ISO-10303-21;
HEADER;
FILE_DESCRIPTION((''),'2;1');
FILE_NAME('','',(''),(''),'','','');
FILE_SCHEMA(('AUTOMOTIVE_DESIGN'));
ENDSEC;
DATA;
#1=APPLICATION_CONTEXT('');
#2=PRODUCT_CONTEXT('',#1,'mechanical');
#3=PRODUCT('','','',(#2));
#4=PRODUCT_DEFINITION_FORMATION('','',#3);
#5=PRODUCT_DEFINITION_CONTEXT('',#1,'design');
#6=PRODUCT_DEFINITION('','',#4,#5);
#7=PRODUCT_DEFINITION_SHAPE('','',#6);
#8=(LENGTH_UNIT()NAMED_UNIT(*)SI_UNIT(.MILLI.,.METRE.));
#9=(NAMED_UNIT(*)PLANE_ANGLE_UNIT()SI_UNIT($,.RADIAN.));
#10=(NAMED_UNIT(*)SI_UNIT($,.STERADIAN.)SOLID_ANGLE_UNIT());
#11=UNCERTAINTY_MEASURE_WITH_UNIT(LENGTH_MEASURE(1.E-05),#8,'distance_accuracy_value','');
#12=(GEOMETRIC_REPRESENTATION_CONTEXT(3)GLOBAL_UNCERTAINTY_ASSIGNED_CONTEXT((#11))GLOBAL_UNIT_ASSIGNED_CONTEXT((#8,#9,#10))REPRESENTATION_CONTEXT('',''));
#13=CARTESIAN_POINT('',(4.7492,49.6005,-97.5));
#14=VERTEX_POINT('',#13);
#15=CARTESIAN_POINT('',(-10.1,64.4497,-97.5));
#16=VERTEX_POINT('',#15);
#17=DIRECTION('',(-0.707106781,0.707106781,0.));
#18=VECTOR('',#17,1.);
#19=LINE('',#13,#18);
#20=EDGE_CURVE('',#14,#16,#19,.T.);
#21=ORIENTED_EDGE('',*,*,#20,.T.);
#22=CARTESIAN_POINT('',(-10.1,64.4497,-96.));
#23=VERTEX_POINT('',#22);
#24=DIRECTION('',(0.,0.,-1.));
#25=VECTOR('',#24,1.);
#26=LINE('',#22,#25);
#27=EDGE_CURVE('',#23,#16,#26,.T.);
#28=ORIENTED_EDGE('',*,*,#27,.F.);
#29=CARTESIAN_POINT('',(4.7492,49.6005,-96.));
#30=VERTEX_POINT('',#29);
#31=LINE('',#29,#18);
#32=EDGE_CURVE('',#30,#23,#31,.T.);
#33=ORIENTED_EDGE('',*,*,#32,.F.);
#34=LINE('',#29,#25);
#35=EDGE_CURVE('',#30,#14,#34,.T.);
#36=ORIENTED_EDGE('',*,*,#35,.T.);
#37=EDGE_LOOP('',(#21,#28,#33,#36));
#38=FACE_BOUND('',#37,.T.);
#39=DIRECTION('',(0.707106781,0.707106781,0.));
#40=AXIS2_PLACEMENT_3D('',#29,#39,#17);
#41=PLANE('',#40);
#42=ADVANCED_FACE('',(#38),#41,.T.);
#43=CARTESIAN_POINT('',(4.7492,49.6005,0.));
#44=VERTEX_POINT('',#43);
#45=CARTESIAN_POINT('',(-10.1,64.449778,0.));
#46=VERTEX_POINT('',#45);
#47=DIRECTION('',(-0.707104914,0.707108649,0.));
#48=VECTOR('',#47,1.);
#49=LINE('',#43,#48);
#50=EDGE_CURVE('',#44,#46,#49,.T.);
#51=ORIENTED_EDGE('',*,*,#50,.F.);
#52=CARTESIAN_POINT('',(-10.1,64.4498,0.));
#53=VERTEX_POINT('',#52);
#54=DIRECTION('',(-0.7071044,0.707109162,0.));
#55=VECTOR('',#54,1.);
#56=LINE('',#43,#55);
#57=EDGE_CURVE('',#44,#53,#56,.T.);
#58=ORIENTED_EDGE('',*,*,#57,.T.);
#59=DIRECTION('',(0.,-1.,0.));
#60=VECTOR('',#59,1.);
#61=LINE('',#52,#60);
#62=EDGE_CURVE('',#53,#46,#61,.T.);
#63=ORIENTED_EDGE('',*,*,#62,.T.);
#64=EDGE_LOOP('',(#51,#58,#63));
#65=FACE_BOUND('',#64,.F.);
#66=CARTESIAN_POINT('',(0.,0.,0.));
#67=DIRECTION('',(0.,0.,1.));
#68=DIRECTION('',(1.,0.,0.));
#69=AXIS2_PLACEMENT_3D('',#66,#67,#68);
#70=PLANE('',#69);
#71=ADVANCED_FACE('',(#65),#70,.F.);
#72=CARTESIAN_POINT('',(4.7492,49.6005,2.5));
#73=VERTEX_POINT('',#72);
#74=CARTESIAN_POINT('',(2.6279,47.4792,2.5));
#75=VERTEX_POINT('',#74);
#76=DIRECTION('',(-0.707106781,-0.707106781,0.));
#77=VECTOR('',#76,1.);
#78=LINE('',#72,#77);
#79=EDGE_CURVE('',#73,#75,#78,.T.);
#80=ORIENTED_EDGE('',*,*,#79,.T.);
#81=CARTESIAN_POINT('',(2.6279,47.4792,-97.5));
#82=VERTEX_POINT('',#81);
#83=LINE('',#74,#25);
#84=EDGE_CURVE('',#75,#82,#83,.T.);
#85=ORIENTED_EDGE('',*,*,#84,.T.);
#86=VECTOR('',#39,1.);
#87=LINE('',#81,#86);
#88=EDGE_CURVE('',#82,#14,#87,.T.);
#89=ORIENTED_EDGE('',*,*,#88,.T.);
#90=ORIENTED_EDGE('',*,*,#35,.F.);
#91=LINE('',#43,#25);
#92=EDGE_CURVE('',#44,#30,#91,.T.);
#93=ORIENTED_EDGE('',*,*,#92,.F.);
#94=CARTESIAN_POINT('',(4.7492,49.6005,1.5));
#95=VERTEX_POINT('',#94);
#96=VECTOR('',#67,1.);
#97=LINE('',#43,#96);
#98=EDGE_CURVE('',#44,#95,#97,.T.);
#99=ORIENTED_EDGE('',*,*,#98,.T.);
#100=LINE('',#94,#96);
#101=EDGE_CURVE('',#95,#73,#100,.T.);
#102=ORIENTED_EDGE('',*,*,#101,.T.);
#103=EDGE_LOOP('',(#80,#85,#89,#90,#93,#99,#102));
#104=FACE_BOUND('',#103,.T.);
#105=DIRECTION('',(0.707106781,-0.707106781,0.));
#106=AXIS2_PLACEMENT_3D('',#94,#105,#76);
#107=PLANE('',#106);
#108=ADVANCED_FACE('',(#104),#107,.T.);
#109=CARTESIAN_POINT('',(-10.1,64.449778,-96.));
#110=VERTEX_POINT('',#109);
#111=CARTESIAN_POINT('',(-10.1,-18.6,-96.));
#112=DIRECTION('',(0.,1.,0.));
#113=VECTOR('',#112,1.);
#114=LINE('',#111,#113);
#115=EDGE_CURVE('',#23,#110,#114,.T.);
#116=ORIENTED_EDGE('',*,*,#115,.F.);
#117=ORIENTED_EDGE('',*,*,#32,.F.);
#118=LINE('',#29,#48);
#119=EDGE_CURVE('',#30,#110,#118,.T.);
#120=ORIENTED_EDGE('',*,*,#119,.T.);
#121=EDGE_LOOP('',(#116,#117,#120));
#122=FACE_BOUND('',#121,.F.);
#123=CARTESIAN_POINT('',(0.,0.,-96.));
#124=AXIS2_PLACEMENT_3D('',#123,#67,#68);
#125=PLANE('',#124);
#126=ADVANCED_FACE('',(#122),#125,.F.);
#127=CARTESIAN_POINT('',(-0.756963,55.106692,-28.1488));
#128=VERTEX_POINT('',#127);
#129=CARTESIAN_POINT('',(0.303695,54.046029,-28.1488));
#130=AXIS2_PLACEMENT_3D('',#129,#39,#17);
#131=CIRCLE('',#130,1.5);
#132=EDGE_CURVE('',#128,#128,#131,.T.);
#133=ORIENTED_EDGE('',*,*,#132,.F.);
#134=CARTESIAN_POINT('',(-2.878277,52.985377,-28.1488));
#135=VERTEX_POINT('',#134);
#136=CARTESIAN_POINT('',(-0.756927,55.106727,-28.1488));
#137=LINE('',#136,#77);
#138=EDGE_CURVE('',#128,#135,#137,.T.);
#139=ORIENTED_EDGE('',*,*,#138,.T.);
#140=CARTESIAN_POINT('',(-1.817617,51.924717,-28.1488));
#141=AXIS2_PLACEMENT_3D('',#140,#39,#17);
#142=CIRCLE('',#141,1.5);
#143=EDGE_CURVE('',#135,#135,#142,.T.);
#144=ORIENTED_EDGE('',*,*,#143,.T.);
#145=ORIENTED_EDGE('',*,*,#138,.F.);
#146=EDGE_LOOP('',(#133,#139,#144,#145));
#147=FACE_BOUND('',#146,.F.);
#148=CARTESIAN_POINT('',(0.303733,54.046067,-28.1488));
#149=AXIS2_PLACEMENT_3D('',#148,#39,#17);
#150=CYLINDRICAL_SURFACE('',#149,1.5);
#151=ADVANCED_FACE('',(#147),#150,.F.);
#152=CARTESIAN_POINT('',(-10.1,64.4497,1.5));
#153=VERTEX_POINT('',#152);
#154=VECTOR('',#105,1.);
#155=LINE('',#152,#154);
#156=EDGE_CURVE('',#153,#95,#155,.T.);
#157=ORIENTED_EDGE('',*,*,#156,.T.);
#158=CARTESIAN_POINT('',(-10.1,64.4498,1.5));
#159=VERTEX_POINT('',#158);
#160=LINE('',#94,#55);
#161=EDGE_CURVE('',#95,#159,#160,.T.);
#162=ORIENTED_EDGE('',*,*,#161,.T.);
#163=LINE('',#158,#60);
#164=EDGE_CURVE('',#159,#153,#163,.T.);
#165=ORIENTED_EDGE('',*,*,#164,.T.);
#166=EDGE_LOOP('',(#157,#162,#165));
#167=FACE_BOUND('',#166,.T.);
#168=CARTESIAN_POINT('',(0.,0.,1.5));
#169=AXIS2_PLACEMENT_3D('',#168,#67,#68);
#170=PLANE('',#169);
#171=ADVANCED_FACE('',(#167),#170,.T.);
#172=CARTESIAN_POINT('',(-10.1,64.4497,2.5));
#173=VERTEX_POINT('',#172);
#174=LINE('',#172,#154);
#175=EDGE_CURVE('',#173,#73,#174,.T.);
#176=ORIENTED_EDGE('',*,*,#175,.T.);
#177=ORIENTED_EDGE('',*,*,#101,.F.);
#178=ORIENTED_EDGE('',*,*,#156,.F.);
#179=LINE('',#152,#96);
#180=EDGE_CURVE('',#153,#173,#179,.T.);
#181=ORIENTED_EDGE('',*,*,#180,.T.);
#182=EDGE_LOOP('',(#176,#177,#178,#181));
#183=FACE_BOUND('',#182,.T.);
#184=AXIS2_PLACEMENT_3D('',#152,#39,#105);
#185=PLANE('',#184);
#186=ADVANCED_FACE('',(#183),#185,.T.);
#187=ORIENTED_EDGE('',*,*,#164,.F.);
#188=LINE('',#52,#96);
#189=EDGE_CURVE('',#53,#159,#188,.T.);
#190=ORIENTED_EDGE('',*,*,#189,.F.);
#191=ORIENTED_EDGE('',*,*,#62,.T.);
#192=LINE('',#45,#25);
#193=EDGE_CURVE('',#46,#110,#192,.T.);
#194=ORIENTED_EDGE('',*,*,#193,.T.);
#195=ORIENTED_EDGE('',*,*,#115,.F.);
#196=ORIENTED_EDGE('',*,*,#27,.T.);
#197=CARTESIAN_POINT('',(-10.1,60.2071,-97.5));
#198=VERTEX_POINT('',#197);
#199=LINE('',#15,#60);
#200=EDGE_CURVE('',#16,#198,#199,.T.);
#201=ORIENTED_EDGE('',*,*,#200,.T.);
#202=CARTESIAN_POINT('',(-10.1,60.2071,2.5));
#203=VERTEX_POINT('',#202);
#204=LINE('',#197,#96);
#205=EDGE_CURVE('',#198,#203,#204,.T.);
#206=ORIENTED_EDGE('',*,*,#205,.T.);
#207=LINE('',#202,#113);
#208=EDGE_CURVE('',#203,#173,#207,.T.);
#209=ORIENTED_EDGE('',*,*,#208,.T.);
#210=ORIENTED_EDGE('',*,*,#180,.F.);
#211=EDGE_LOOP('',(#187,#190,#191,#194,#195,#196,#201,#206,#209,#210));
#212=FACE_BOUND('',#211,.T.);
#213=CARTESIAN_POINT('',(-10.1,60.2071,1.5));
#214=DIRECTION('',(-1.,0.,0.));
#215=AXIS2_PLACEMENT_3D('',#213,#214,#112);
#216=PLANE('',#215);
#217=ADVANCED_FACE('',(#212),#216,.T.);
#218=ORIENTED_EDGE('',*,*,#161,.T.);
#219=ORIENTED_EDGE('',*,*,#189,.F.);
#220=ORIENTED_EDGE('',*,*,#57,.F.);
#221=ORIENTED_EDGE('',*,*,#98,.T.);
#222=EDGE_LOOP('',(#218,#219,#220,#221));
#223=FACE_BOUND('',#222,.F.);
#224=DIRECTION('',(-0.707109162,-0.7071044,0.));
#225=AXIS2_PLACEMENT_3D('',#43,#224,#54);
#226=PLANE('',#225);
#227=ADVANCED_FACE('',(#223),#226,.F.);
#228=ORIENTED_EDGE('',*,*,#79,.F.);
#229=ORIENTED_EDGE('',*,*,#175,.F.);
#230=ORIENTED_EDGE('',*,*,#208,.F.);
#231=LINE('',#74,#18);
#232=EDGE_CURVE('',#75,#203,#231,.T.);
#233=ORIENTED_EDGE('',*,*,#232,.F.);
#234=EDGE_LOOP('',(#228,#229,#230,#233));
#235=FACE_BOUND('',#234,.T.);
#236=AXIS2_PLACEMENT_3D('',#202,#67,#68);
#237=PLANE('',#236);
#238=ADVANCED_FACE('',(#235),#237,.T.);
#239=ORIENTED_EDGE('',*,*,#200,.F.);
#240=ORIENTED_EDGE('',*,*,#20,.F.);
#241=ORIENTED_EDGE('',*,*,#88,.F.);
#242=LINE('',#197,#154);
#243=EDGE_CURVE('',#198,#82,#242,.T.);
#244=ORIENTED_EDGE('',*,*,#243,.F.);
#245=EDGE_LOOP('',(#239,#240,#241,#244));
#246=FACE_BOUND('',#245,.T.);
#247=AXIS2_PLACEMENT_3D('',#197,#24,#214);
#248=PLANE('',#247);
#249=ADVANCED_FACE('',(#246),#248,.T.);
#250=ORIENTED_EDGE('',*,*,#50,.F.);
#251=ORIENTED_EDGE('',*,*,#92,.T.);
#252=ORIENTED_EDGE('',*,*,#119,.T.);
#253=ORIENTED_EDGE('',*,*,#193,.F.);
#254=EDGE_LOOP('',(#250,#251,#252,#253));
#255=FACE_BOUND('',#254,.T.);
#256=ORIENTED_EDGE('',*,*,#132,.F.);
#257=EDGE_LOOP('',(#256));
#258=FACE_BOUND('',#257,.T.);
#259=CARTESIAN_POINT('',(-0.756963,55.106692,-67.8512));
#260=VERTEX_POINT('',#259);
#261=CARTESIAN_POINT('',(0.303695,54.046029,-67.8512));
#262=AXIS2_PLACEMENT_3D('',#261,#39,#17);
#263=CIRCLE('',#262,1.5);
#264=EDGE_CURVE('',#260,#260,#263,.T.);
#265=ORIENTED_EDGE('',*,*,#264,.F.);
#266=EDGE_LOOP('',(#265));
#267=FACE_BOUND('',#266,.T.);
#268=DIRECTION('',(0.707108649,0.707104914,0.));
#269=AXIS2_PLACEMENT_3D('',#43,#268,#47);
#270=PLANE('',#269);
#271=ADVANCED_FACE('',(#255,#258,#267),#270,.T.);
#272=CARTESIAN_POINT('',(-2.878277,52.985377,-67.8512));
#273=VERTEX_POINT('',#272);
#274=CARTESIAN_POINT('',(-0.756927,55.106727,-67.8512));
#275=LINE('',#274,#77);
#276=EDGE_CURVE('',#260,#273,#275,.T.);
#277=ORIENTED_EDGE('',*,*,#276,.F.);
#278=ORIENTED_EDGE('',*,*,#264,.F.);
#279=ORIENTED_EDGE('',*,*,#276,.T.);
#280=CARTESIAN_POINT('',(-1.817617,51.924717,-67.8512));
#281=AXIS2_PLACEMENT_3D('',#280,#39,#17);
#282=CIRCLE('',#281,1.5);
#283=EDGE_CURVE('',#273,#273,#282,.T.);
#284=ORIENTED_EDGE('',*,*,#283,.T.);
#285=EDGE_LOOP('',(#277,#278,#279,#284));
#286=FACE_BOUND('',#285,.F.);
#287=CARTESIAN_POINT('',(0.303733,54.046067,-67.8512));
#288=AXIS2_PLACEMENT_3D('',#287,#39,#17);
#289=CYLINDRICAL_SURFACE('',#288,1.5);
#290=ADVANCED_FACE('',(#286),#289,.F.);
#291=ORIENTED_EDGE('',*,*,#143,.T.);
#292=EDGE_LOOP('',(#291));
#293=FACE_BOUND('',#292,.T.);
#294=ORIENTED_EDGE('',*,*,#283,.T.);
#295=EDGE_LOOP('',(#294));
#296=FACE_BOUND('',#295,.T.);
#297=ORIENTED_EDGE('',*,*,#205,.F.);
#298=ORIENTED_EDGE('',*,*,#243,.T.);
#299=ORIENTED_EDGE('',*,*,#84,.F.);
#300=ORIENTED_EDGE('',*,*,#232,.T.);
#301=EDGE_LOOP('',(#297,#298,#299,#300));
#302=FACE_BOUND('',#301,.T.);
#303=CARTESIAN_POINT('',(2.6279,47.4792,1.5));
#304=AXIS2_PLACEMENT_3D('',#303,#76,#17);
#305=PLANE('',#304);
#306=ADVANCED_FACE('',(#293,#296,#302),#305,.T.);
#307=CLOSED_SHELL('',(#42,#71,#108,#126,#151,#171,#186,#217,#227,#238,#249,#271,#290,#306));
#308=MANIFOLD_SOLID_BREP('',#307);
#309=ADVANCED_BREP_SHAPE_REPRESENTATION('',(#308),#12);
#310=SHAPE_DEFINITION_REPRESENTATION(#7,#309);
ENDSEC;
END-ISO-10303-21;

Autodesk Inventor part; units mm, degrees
sketch "Sketch1" plane through (0, 0, 0) normal (0, 0, 1) x (1, 0, 0)
  line L0 (0, 50.1071) -> (-7.1, 57.2071) projected
  line L1 (-7.1, 57.2071) -> (-7.1, 0) projected
  line L2 (0, 0) -> (-7.1, 0) projected
  line L3 (0, 50.1071) -> (0, 0) projected
  circle A0 centre (6, -18.6) radius 16.1 projected
  line L4 (-10.1, -18.6) -> (-10.1, 64.4833)
  line L5 (-7.1, 57.2071) -> (-10.1, 60.2071)
  line L6 (-10.1, 60.2071) -> (2.6279, 47.4792)
  line L7 (2.6279, 47.4792) -> (4.7492, 49.6005)
  line L8 (4.7492, 49.6005) -> (-14.184, 68.5338)
  line L9 (-10.1, 64.4833) -> (-10.1, 67.3257)
  point P0 (-10.1, 64.4498)
  dimension "d0" = 18
  dimension "d1" = 3
ref_plane "Work Plane1" through (-7.1, 0, -96) normal (0, 0, -1) x (0, 1, 0)
extrude "Extrusion1" add sketch "Sketch1" against normal up to surface (96 mm away) contours L0 L5 L4 L8 L7 L6
sketch "Sketch2" plane through (-10.1, 64.4498, -96) normal (0.7071, 0.7071, 0) x (-0.7071, 0.7071, 0)
  circle A0 centre (-14.7131, 28.1488) radius 1.5 projected
  circle A1 centre (-14.7131, 67.8512) radius 1.5 projected
  point P0 (-52.7147, 96)
extrude "Extrusion2" cut sketch "Sketch2" against normal through all
sketch "Sketch3" plane through (-10.1, 60.2071, -96) normal (0, 0, -1) x (-1, 0, 0)
  line L0 (0, 4.2426) -> (0, 0) projected
  line L1 (-14.8492, -10.6066) -> (0, 4.2426) projected
  line L2 (-12.7279, -12.7279) -> (-14.8492, -10.6066) projected
  line L3 (0, 0) -> (-12.7279, -12.7279) projected
  point P0 (-10.1, -60.2071)
ref_plane "Work Plane2" through (-7.1, -33.8, -97.5) normal (0, 0, -1) x (0, 1, 0)
extrude "Extrusion3" add sketch "Sketch3" along normal up to surface (1.5 mm away)
sketch "Sketch4" plane through (0, 0, 0) normal (0, 0, 1) x (1, 0, 0)
  line L0 (4.7492, 49.6005) -> (-10.1, 64.4498) projected
  line L1 (-10.1, 64.4498) -> (-10.1, 60.2071) projected
  line L2 (-10.1, 60.2071) -> (2.6279, 47.4792) projected
  line L3 (2.6279, 47.4792) -> (4.7492, 49.6005) projected
  point P0 (0, 0)
ref_plane "Work Plane3" through (-7.1, -33.8, 1.5) normal (0, 0, 1) x (1, 0, 0)
extrude "Extrusion4" add sketch "Sketch4" along normal up to surface (1.5 mm away)
sketch "Sketch5" plane through (-10.1, 60.2071, 1.5) normal (0, 0, 1) x (1, 0, 0)
  line L0 (0, 4.2426) -> (14.8492, -10.6066) projected
  line L1 (0, 0) -> (0, 4.2426) projected
  line L2 (12.7279, -12.7279) -> (0, 0) projected
  line L3 (14.8492, -10.6066) -> (12.7279, -12.7279) projected
  point P0 (10.1, -60.2071)
ref_plane "Work Plane4" through (-8, -1.3502, 2.5) normal (0, 0, 1) x (1, 0, 0)
extrude "Extrusion5" add sketch "Sketch5" along normal up to surface (1 mm away)
properties part number "nozyk"
